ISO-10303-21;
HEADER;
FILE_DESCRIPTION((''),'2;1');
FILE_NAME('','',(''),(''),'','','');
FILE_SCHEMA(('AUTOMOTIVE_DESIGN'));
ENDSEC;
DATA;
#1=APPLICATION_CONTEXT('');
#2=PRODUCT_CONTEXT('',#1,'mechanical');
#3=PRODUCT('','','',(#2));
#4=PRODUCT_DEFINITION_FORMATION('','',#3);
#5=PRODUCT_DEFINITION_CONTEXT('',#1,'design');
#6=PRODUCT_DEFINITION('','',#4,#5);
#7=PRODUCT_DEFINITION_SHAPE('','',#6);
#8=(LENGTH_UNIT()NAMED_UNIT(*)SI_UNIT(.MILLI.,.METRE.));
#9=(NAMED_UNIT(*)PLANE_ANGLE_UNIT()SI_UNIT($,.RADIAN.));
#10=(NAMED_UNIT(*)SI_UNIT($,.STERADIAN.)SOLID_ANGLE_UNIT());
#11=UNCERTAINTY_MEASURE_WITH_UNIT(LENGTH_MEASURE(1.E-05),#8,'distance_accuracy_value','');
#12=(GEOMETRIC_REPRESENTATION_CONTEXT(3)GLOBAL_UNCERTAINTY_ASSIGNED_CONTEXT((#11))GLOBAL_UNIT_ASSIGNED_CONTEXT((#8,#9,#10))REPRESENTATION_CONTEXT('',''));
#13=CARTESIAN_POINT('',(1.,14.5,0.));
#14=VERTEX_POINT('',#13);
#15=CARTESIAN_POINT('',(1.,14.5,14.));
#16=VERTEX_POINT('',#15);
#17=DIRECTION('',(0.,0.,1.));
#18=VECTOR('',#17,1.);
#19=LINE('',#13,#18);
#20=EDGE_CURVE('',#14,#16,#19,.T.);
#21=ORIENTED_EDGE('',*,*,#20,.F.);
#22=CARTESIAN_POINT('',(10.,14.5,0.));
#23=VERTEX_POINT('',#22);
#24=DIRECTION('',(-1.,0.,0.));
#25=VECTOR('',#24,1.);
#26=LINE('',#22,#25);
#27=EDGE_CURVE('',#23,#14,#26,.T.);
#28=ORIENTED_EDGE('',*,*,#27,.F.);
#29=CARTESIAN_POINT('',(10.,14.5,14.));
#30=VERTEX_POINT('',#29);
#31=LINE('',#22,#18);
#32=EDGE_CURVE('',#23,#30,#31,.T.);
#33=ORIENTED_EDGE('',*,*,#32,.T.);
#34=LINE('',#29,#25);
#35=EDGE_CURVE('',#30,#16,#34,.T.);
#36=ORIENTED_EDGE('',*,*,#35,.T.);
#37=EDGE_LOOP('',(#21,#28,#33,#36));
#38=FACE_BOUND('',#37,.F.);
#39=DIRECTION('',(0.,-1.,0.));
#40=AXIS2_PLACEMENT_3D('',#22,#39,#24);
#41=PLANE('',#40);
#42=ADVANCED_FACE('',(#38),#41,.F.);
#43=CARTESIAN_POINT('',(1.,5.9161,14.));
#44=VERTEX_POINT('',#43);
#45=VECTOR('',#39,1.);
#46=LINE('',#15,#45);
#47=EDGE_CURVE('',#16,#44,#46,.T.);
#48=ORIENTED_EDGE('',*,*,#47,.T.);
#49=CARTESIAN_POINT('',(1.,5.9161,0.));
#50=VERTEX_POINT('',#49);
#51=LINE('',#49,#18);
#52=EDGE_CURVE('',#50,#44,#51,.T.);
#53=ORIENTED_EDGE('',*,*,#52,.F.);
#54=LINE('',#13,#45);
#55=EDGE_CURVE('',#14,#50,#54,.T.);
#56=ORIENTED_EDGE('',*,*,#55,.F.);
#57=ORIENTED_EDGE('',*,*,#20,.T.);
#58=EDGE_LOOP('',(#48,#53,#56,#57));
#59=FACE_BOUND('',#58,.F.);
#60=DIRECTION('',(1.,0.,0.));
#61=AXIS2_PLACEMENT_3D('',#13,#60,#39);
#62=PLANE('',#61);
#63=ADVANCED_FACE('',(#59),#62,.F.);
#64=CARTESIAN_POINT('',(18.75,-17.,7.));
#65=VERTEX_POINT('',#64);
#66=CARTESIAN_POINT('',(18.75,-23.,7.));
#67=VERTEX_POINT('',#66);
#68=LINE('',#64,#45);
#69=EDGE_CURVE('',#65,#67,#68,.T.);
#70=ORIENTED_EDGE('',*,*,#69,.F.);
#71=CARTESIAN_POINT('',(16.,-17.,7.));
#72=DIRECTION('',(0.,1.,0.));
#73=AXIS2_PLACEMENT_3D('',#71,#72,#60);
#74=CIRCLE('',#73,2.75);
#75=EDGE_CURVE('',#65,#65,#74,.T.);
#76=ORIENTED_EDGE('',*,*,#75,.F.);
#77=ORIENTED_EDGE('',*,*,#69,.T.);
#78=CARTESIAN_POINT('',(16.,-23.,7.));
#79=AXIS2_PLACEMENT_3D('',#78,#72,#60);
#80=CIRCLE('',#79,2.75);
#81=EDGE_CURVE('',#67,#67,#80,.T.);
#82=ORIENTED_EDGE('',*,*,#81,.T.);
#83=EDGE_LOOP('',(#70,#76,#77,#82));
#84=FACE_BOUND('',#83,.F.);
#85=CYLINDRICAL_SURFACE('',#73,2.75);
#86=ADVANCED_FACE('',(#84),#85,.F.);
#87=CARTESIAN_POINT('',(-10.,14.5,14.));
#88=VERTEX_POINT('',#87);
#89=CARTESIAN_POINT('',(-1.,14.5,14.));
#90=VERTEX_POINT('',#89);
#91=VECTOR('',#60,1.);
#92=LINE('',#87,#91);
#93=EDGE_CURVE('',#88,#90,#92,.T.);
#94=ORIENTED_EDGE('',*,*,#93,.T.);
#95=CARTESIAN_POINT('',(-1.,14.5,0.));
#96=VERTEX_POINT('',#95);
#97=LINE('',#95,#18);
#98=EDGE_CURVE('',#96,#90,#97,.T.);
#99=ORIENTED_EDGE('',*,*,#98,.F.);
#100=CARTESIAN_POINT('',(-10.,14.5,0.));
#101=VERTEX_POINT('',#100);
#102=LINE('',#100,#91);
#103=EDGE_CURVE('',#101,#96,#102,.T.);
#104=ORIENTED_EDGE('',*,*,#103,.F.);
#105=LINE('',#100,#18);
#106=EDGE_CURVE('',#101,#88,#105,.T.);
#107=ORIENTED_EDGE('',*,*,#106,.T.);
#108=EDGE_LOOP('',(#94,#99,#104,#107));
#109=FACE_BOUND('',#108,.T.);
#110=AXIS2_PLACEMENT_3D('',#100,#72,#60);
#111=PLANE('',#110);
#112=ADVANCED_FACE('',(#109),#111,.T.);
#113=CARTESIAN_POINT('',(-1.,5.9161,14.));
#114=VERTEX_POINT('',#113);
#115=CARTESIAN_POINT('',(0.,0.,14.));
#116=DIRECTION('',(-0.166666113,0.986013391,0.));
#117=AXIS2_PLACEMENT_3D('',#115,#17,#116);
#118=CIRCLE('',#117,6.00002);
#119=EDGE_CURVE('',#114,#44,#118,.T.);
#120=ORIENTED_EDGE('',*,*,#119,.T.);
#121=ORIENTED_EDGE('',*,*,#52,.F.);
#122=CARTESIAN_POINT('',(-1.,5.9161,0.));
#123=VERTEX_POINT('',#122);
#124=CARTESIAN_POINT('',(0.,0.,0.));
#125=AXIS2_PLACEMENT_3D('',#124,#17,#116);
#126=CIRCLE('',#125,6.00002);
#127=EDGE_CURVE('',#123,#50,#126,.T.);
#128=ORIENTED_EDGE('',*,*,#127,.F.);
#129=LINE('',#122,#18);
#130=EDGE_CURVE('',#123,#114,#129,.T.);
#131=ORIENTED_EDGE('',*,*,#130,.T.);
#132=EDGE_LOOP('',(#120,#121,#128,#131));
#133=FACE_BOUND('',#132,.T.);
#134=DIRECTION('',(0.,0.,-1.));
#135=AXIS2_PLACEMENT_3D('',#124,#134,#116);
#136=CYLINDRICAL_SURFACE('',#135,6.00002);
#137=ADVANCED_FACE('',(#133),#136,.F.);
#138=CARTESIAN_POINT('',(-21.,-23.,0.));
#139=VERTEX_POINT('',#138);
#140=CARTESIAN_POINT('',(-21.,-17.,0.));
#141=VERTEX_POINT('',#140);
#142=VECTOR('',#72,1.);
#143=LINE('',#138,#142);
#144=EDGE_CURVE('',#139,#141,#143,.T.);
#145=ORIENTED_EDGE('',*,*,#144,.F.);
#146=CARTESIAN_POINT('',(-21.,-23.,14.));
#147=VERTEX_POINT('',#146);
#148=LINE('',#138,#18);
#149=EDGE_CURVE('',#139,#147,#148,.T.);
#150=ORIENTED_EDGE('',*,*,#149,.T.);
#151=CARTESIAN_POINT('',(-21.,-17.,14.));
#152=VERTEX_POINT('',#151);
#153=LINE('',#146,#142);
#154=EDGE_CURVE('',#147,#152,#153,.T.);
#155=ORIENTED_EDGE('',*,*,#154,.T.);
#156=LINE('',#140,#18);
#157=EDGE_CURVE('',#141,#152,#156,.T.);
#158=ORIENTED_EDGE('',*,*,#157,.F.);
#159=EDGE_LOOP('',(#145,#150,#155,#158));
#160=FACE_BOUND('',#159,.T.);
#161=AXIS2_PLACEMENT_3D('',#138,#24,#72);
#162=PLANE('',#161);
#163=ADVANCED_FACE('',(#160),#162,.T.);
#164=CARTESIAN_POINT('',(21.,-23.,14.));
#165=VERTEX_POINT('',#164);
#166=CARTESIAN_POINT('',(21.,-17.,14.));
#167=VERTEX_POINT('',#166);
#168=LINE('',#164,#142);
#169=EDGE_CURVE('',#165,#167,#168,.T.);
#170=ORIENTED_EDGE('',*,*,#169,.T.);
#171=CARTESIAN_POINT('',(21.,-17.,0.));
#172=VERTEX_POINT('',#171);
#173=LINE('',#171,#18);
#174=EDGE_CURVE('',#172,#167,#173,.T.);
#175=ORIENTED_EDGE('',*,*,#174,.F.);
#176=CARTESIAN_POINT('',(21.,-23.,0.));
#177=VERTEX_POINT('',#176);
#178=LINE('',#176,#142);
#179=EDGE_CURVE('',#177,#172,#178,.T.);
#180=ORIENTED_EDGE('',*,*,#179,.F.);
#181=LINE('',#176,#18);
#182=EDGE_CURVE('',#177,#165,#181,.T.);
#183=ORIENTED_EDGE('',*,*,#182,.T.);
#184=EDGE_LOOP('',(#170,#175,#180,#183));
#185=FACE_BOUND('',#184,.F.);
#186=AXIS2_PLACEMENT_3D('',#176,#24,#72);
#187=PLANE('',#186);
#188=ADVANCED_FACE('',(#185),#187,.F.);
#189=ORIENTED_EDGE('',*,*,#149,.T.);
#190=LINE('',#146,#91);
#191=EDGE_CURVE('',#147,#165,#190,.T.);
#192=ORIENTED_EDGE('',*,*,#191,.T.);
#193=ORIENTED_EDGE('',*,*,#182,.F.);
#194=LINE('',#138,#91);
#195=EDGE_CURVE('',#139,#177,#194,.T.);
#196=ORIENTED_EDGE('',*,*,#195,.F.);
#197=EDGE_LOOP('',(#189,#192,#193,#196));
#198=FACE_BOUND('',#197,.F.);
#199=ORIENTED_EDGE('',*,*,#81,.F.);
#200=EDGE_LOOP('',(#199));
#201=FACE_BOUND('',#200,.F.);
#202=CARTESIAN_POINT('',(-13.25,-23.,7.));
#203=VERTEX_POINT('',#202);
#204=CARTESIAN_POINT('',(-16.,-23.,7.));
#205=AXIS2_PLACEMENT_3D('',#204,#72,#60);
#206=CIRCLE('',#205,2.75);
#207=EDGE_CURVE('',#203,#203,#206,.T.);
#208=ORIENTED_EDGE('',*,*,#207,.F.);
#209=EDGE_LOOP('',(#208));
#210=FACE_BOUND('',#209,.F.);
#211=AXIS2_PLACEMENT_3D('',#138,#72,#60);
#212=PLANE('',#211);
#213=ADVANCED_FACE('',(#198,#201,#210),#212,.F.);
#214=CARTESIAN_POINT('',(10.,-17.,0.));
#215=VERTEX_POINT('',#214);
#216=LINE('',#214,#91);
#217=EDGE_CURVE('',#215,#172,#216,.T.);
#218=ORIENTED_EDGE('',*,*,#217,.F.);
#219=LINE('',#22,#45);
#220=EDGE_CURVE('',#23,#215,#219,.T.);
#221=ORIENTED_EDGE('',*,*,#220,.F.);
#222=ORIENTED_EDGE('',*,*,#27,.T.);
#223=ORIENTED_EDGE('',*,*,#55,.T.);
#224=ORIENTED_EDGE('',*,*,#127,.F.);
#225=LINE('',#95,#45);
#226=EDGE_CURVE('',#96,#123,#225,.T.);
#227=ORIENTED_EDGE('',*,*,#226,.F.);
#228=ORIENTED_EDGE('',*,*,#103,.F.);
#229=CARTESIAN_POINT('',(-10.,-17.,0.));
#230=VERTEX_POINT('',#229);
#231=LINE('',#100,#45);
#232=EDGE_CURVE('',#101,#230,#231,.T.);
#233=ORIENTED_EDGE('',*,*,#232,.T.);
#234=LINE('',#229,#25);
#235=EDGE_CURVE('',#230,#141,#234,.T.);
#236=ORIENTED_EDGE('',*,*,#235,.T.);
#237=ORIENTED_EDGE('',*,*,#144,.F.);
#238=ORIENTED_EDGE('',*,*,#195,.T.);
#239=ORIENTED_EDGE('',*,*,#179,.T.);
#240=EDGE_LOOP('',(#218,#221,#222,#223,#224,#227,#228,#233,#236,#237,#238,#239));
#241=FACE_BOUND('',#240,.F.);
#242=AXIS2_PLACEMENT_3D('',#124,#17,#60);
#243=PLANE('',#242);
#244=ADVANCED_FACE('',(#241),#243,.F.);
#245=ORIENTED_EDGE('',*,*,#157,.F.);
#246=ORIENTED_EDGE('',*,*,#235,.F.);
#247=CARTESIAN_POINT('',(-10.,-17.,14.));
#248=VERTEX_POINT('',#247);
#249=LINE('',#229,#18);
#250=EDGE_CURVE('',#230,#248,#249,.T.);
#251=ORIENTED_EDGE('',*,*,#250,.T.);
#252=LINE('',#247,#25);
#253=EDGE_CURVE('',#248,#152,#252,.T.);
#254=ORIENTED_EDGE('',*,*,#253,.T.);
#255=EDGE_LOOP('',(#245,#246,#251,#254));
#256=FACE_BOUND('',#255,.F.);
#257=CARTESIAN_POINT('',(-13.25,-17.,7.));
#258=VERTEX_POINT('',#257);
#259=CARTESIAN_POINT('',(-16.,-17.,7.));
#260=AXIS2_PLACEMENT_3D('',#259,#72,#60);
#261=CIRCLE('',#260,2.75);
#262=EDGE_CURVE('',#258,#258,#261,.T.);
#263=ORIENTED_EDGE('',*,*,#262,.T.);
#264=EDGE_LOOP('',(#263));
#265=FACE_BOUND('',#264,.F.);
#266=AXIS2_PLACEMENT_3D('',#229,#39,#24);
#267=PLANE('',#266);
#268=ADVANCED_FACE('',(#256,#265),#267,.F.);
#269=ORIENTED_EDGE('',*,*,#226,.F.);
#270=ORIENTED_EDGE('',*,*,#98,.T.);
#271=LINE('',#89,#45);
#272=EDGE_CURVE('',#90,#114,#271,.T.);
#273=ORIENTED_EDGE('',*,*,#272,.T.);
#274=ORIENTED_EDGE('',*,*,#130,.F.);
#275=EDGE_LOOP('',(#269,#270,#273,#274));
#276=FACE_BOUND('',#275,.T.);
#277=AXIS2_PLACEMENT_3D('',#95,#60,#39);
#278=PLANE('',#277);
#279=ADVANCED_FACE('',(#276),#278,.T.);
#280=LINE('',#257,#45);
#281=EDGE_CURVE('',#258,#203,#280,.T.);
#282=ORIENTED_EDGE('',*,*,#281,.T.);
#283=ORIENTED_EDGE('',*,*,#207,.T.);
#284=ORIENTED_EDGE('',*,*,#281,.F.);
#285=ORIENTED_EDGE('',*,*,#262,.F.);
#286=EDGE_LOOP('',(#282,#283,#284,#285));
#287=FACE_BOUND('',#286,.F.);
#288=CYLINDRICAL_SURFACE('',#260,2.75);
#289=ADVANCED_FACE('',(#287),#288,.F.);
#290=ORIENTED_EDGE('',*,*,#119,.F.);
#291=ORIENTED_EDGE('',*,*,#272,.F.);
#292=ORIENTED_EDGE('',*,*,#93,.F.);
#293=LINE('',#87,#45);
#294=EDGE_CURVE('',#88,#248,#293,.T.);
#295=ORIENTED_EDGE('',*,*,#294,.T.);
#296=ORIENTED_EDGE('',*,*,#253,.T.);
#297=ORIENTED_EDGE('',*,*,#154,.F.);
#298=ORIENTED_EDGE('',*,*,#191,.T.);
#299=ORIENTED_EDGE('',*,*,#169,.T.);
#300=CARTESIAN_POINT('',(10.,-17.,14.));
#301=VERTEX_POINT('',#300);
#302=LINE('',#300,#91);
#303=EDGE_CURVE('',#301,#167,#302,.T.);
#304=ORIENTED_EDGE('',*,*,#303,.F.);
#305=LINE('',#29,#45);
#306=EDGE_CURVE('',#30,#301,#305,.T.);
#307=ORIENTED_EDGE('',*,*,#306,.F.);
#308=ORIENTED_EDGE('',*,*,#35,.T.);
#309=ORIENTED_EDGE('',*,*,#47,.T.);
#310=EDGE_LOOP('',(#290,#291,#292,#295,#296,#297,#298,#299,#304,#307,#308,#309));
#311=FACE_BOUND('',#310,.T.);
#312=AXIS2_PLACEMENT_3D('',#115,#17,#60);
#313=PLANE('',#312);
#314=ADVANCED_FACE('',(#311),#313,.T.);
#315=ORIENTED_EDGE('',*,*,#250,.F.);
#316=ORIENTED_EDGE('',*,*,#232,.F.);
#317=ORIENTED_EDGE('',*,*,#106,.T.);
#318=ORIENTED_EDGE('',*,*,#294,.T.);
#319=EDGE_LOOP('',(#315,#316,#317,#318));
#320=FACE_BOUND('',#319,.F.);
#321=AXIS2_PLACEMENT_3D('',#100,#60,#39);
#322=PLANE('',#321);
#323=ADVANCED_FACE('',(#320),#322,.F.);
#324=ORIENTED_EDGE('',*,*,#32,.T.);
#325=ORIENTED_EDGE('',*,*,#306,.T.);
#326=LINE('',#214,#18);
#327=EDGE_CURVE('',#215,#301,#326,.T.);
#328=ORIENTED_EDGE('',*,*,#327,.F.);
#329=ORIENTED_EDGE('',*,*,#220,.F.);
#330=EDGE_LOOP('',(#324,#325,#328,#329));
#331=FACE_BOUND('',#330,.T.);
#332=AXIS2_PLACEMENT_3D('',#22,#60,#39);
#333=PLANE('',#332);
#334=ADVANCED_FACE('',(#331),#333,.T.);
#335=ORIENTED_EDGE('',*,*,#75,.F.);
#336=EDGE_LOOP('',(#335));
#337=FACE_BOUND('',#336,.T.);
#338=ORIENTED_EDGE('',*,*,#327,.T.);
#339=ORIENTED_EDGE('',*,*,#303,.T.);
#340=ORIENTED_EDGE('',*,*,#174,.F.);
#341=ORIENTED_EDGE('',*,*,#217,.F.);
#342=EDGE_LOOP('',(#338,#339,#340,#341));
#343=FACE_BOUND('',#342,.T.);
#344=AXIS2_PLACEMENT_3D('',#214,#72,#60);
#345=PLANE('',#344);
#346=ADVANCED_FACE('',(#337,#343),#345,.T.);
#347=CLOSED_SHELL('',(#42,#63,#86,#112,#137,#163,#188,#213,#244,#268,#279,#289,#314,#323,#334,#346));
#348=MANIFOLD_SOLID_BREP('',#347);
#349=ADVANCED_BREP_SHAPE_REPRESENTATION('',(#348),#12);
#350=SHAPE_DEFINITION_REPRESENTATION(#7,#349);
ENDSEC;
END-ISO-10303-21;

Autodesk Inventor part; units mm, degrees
ref_plane "YZ Plane" through (0, 0, 0) normal (1, 0, 0) x (0, 1, 0)
ref_plane "XZ Plane" through (0, 0, 0) normal (0, 1, 0) x (-1, 0, 0)
ref_plane "XY Plane" through (0, 0, 0) normal (0, 0, 1) x (1, 0, 0)
sketch "Sketch1" plane through (0, 0, 0) normal (0, 0, 1) x (1, 0, 0)
  arc A0 (-1, 5.9161) -> (1, 5.9161) centre (0, 0) ccw
  line L0 (-21, -23) -> (21, -23)
  line L1 (-21, -23) -> (-21, -17)
  line L2 (21, -23) -> (21, -17)
  line L3 (-10, 14.5) -> (-10, -17)
  line L4 (-10, -17) -> (-21, -17)
  line L5 (-10, 14.5) -> (-1, 14.5)
  line L6 (10, 14.5) -> (1, 14.5)
  line L7 (1, 14.5) -> (1, 5.9161)
  line L8 (-1, 14.5) -> (-1, 5.9161)
  line L9 (10, 14.5) -> (10, -17)
  line L10 (10, -17) -> (21, -17)
  dimension "d0" = 12
  dimension "d1" = 23
  dimension "d2" = 42
  dimension "d3" = 21
  dimension "d4" = 6
  dimension "d7" = 9
  dimension "d8" = 9
  dimension "d10" = 37.5
  dimension "d11" = 37.5
  dimension "d14" = 10
  dimension "d15" = 31.5
  dimension "d16" = 6
  dimension "d17" = 10
extrude "Extrusion1" add sketch "Sketch1" along normal blind 14
sketch "Sketch2" plane through (10, -17, 0) normal (0, 1, 0) x (1, 0, 0)
  circle A0 centre (-26, -7) radius 2.75
  circle A1 centre (6, -7) radius 2.75
  line L0 (-10, 2.8) -> (-10, -16.8) projected
  line L1 (-20, -14) -> (-31, -14) projected
  point P0 (-10, 0)
  dimension "d20" = 5.5
  dimension "d21" = 5.5
  dimension "d22" = 32
  dimension "d23" = 16
  dimension "d24" = 7
  dimension "d25" = 16
extrude "Extrusion2" cut sketch "Sketch2" against normal blind 14
properties part number "SK12"
